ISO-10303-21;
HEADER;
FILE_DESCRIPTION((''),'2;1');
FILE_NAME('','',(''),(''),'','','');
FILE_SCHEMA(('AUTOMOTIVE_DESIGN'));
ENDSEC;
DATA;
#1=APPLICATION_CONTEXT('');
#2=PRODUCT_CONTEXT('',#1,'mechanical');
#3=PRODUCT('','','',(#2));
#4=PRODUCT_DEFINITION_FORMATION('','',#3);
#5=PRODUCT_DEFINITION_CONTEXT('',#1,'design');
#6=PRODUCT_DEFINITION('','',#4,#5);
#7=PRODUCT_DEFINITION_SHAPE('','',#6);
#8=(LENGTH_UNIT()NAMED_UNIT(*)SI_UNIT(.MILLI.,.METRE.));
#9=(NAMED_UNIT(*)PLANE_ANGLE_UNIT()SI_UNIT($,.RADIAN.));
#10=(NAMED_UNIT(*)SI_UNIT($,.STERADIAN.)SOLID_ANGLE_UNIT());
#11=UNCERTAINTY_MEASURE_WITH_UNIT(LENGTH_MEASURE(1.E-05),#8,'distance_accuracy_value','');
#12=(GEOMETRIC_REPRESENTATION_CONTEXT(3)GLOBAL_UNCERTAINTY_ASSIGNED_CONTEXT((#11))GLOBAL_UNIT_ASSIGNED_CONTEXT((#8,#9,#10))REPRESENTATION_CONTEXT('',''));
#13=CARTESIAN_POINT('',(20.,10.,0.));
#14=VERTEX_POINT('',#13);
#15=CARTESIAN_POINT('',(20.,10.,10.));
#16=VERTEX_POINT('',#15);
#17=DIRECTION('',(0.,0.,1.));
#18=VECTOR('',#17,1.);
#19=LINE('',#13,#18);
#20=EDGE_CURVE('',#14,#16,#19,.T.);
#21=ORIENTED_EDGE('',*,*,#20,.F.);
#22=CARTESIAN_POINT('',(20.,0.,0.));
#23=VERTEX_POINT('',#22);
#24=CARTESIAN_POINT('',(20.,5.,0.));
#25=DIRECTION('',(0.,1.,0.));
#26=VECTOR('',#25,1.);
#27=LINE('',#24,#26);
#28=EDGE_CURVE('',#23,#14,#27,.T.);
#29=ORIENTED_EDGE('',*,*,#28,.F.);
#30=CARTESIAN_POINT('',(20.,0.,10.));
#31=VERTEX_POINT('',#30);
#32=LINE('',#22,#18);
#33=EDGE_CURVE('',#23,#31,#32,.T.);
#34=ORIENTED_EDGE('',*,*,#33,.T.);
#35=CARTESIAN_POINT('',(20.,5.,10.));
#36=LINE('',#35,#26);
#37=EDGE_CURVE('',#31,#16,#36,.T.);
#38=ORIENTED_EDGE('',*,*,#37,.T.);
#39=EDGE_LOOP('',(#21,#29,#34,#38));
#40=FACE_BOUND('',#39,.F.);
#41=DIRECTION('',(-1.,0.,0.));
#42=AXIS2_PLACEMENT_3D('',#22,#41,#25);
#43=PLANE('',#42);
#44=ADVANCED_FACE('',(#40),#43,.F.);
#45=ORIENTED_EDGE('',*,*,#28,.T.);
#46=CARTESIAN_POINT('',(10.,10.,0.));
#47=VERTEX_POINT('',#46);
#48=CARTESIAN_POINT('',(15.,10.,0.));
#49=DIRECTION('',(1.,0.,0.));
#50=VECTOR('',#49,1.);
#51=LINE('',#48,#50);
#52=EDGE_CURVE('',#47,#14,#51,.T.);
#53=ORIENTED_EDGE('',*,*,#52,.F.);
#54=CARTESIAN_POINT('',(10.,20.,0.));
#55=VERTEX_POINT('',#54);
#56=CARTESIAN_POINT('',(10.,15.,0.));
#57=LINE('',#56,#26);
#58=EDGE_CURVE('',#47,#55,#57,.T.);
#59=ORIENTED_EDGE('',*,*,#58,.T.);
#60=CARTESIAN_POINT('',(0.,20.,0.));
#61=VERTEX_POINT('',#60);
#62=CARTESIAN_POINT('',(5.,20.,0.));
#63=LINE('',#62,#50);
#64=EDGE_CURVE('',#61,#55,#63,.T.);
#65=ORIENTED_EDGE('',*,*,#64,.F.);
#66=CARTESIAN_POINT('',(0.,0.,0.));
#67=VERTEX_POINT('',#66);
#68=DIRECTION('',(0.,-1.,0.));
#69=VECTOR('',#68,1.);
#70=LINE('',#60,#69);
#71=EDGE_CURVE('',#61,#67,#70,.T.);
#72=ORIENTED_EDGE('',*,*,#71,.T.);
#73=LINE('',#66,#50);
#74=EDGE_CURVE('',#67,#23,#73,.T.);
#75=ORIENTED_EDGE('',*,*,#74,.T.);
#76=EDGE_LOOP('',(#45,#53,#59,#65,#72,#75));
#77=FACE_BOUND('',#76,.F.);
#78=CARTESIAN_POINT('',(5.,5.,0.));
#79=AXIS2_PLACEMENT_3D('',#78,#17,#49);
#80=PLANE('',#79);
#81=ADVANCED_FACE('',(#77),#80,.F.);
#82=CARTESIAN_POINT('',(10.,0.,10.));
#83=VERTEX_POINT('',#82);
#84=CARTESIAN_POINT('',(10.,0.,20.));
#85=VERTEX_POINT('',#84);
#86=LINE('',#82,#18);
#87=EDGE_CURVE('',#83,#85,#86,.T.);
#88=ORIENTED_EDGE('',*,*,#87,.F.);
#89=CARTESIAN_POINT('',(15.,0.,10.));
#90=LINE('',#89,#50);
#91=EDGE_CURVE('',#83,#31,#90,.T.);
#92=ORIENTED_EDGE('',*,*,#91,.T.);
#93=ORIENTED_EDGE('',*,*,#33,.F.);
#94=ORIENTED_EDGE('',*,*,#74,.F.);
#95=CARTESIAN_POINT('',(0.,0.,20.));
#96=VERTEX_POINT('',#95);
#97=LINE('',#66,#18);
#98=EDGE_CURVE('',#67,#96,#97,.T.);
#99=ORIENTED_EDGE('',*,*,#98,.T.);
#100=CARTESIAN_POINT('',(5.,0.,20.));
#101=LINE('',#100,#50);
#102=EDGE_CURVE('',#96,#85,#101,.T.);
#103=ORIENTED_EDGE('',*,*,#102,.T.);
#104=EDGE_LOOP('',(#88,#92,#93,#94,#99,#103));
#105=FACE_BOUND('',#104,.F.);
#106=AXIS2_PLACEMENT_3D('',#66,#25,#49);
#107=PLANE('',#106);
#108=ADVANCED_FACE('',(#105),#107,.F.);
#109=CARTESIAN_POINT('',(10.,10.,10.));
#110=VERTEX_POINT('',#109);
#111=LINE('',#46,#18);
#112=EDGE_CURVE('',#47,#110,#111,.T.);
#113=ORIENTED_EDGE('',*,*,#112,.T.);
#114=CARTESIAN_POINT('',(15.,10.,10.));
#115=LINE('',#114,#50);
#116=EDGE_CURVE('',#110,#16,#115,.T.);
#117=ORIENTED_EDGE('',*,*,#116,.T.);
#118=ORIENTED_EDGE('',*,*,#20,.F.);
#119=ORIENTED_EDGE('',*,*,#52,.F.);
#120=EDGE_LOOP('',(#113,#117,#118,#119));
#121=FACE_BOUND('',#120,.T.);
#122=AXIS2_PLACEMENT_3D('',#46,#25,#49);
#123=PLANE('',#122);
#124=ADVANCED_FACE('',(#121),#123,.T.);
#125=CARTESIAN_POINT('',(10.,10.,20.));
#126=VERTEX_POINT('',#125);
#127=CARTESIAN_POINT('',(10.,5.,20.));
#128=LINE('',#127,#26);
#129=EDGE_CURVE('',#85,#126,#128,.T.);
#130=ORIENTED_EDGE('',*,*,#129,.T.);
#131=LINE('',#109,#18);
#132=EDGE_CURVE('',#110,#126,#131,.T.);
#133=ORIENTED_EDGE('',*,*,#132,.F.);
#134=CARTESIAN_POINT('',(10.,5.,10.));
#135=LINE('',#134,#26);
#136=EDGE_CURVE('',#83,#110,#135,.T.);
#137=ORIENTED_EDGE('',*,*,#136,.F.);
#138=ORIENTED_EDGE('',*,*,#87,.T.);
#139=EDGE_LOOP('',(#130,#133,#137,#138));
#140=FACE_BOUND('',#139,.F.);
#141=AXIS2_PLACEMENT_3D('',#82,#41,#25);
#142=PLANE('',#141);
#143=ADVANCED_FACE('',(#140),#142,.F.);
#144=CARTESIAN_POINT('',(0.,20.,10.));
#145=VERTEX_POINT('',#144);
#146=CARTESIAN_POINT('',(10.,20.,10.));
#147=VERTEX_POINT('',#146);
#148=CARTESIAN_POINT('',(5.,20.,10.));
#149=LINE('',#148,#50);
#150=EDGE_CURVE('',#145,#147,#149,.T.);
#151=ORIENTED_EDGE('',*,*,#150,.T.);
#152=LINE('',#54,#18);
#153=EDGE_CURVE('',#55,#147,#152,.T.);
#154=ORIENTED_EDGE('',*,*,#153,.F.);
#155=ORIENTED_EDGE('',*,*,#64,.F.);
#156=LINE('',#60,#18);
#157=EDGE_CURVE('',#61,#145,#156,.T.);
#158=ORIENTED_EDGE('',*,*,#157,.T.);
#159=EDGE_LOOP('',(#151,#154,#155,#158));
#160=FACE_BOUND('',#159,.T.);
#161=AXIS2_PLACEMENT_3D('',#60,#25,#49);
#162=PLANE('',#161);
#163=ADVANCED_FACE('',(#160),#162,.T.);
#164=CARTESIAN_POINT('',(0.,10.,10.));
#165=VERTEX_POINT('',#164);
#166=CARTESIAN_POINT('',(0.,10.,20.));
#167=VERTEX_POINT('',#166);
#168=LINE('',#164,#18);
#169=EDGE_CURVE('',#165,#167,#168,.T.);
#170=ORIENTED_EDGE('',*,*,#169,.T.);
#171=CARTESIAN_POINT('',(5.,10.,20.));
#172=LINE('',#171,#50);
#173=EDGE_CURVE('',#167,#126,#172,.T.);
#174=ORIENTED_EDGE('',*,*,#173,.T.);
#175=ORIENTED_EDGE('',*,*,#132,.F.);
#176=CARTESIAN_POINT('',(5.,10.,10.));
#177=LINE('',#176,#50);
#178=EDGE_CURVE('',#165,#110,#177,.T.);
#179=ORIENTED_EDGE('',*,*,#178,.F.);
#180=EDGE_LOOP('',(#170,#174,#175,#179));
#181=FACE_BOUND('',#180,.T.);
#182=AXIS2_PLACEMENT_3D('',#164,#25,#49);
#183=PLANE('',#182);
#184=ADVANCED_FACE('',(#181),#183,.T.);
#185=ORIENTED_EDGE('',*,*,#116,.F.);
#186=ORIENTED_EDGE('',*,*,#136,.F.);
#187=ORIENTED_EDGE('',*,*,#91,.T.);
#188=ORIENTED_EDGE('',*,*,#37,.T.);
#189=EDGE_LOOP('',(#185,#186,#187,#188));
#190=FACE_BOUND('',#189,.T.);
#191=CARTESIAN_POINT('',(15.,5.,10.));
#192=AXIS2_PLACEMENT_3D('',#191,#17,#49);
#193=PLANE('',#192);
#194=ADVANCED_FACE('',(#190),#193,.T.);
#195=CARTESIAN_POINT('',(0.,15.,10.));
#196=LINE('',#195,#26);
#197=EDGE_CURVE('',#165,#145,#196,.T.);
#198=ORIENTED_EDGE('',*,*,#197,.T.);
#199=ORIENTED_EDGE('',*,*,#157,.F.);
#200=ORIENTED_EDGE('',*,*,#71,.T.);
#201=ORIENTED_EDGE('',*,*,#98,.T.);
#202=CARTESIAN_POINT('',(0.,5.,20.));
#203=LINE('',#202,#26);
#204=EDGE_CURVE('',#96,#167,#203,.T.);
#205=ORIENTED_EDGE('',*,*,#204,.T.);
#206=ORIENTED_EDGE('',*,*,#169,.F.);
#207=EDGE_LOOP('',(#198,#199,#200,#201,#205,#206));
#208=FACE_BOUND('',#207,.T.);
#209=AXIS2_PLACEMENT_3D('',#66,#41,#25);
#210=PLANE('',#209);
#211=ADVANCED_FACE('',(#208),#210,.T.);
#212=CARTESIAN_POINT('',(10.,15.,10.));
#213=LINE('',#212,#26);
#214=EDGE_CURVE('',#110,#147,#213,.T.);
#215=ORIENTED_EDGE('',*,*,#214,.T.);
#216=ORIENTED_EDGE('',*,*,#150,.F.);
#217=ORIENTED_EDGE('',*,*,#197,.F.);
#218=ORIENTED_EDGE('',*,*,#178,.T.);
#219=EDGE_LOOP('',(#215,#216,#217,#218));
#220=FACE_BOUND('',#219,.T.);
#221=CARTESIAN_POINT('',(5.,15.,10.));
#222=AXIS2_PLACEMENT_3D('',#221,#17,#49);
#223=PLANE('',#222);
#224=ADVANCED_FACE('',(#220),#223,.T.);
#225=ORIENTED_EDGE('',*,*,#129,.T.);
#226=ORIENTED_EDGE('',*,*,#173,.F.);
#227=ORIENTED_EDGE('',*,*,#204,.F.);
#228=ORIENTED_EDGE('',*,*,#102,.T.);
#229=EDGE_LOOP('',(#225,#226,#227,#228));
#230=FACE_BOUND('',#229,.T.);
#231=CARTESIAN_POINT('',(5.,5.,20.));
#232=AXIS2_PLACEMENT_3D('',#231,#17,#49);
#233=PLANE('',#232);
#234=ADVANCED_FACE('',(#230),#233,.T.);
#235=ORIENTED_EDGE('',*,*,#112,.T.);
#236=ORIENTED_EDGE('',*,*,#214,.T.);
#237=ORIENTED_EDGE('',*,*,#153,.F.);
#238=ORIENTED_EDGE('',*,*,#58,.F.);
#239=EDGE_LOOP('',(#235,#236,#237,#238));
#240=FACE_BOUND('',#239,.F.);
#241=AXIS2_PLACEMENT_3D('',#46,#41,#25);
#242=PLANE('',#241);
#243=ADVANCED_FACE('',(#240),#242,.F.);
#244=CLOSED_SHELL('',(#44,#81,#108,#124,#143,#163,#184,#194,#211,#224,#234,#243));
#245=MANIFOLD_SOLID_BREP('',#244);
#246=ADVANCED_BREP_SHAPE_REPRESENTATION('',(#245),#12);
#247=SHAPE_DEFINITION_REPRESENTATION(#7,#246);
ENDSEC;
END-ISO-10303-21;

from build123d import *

# Parameters (mm, degrees)
BOX002_W     = 10
BOX002_H     = 10
BOX002_DEPTH = 10
BOX001_W     = 10
BOX001_H     = 10
BOX001_DEPTH = 10
BOX_W        = 10
BOX_H        = 10
BOX_DEPTH    = 10
BOX003_W     = 10
BOX003_H     = 10
BOX003_DEPTH = 10


with BuildPart() as cube002:
    # Box002 → Box002 (new body)
    with BuildSketch(Plane(origin=(0, 10, 0), x_dir=(1, 0, 0), z_dir=(0, 0, 1))):
        with Locations((5, 5)):
            Rectangle(BOX002_W, BOX002_H)
    extrude(amount=BOX002_DEPTH)


with BuildPart() as cube001:
    # Box001 → Box001 (new body)
    with BuildSketch(Plane(origin=(10, 0, 0), x_dir=(1, 0, 0), z_dir=(0, 0, 1))):
        with Locations((5, 5)):
            Rectangle(BOX001_W, BOX001_H)
    extrude(amount=BOX001_DEPTH)


with BuildPart() as cube:
    # Box → Box (new body)
    with BuildSketch(Plane.XY):
        with Locations((5, 5)):
            Rectangle(BOX_W, BOX_H)
    extrude(amount=BOX_DEPTH)


with BuildPart() as fusion:
    # Box003 → Box003 (new body)
    with BuildSketch(Plane.XY.offset(10)):
        with Locations((5, 5)):
            Rectangle(BOX003_W, BOX003_H)
    extrude(amount=BOX003_DEPTH)

    # Fusion: union Cube002, Cube001, Cube
    add(cube002.part)
    add(cube001.part)
    add(cube.part)


solid = fusion.part
